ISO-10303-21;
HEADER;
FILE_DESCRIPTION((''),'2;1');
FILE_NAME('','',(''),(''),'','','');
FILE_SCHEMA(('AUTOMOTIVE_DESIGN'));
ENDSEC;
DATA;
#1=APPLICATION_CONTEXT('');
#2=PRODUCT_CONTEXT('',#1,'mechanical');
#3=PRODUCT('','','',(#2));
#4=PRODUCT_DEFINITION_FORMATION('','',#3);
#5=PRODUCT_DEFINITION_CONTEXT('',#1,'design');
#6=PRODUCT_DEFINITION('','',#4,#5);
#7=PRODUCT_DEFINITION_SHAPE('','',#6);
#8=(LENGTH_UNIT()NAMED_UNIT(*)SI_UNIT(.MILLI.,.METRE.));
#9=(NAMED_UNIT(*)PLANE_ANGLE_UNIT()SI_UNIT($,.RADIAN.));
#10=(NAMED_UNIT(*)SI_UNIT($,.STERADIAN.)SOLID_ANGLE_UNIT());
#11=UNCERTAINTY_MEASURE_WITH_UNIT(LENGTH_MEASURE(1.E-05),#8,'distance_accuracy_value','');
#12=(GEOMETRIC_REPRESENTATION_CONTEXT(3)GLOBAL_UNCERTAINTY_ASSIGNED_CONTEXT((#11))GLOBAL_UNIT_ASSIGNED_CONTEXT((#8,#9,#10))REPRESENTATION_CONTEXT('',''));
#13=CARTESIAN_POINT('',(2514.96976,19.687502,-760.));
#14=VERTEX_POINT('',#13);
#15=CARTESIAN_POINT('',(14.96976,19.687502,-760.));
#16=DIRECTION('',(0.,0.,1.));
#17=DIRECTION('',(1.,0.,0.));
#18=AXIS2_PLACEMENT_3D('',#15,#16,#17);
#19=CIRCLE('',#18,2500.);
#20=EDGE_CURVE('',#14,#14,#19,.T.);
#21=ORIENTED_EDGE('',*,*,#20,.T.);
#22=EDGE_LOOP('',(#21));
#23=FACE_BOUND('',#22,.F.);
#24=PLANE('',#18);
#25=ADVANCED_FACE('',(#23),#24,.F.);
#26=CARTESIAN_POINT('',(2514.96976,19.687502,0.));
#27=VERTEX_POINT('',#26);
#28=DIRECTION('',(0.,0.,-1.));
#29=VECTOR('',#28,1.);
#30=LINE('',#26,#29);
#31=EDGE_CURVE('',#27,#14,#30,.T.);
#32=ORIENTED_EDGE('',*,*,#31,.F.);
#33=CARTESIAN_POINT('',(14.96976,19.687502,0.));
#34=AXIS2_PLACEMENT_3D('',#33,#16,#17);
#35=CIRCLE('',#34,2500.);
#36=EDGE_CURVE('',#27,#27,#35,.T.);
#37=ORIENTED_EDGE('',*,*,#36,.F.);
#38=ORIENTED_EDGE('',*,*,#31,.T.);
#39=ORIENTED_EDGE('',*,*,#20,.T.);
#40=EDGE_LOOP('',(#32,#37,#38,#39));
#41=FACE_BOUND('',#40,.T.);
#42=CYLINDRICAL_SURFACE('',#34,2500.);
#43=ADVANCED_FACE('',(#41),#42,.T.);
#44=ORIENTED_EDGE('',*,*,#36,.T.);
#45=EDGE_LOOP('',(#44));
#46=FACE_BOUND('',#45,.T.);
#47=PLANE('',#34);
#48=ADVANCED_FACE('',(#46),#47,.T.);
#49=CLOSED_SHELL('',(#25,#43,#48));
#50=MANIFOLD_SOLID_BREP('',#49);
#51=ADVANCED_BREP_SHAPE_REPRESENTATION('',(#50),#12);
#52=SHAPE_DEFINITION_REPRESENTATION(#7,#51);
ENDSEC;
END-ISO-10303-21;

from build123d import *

# Parameters (mm, degrees)
F0_R     = 2500
F1_DEPTH = 760


with BuildPart() as f1:
    # F0 (on Top) → F1 (new body)
    with BuildSketch(Plane.XY):
        with Locations((14.96976, 19.687502)):
            Circle(F0_R)
    extrude(amount=-F1_DEPTH)


solid = f1.part
